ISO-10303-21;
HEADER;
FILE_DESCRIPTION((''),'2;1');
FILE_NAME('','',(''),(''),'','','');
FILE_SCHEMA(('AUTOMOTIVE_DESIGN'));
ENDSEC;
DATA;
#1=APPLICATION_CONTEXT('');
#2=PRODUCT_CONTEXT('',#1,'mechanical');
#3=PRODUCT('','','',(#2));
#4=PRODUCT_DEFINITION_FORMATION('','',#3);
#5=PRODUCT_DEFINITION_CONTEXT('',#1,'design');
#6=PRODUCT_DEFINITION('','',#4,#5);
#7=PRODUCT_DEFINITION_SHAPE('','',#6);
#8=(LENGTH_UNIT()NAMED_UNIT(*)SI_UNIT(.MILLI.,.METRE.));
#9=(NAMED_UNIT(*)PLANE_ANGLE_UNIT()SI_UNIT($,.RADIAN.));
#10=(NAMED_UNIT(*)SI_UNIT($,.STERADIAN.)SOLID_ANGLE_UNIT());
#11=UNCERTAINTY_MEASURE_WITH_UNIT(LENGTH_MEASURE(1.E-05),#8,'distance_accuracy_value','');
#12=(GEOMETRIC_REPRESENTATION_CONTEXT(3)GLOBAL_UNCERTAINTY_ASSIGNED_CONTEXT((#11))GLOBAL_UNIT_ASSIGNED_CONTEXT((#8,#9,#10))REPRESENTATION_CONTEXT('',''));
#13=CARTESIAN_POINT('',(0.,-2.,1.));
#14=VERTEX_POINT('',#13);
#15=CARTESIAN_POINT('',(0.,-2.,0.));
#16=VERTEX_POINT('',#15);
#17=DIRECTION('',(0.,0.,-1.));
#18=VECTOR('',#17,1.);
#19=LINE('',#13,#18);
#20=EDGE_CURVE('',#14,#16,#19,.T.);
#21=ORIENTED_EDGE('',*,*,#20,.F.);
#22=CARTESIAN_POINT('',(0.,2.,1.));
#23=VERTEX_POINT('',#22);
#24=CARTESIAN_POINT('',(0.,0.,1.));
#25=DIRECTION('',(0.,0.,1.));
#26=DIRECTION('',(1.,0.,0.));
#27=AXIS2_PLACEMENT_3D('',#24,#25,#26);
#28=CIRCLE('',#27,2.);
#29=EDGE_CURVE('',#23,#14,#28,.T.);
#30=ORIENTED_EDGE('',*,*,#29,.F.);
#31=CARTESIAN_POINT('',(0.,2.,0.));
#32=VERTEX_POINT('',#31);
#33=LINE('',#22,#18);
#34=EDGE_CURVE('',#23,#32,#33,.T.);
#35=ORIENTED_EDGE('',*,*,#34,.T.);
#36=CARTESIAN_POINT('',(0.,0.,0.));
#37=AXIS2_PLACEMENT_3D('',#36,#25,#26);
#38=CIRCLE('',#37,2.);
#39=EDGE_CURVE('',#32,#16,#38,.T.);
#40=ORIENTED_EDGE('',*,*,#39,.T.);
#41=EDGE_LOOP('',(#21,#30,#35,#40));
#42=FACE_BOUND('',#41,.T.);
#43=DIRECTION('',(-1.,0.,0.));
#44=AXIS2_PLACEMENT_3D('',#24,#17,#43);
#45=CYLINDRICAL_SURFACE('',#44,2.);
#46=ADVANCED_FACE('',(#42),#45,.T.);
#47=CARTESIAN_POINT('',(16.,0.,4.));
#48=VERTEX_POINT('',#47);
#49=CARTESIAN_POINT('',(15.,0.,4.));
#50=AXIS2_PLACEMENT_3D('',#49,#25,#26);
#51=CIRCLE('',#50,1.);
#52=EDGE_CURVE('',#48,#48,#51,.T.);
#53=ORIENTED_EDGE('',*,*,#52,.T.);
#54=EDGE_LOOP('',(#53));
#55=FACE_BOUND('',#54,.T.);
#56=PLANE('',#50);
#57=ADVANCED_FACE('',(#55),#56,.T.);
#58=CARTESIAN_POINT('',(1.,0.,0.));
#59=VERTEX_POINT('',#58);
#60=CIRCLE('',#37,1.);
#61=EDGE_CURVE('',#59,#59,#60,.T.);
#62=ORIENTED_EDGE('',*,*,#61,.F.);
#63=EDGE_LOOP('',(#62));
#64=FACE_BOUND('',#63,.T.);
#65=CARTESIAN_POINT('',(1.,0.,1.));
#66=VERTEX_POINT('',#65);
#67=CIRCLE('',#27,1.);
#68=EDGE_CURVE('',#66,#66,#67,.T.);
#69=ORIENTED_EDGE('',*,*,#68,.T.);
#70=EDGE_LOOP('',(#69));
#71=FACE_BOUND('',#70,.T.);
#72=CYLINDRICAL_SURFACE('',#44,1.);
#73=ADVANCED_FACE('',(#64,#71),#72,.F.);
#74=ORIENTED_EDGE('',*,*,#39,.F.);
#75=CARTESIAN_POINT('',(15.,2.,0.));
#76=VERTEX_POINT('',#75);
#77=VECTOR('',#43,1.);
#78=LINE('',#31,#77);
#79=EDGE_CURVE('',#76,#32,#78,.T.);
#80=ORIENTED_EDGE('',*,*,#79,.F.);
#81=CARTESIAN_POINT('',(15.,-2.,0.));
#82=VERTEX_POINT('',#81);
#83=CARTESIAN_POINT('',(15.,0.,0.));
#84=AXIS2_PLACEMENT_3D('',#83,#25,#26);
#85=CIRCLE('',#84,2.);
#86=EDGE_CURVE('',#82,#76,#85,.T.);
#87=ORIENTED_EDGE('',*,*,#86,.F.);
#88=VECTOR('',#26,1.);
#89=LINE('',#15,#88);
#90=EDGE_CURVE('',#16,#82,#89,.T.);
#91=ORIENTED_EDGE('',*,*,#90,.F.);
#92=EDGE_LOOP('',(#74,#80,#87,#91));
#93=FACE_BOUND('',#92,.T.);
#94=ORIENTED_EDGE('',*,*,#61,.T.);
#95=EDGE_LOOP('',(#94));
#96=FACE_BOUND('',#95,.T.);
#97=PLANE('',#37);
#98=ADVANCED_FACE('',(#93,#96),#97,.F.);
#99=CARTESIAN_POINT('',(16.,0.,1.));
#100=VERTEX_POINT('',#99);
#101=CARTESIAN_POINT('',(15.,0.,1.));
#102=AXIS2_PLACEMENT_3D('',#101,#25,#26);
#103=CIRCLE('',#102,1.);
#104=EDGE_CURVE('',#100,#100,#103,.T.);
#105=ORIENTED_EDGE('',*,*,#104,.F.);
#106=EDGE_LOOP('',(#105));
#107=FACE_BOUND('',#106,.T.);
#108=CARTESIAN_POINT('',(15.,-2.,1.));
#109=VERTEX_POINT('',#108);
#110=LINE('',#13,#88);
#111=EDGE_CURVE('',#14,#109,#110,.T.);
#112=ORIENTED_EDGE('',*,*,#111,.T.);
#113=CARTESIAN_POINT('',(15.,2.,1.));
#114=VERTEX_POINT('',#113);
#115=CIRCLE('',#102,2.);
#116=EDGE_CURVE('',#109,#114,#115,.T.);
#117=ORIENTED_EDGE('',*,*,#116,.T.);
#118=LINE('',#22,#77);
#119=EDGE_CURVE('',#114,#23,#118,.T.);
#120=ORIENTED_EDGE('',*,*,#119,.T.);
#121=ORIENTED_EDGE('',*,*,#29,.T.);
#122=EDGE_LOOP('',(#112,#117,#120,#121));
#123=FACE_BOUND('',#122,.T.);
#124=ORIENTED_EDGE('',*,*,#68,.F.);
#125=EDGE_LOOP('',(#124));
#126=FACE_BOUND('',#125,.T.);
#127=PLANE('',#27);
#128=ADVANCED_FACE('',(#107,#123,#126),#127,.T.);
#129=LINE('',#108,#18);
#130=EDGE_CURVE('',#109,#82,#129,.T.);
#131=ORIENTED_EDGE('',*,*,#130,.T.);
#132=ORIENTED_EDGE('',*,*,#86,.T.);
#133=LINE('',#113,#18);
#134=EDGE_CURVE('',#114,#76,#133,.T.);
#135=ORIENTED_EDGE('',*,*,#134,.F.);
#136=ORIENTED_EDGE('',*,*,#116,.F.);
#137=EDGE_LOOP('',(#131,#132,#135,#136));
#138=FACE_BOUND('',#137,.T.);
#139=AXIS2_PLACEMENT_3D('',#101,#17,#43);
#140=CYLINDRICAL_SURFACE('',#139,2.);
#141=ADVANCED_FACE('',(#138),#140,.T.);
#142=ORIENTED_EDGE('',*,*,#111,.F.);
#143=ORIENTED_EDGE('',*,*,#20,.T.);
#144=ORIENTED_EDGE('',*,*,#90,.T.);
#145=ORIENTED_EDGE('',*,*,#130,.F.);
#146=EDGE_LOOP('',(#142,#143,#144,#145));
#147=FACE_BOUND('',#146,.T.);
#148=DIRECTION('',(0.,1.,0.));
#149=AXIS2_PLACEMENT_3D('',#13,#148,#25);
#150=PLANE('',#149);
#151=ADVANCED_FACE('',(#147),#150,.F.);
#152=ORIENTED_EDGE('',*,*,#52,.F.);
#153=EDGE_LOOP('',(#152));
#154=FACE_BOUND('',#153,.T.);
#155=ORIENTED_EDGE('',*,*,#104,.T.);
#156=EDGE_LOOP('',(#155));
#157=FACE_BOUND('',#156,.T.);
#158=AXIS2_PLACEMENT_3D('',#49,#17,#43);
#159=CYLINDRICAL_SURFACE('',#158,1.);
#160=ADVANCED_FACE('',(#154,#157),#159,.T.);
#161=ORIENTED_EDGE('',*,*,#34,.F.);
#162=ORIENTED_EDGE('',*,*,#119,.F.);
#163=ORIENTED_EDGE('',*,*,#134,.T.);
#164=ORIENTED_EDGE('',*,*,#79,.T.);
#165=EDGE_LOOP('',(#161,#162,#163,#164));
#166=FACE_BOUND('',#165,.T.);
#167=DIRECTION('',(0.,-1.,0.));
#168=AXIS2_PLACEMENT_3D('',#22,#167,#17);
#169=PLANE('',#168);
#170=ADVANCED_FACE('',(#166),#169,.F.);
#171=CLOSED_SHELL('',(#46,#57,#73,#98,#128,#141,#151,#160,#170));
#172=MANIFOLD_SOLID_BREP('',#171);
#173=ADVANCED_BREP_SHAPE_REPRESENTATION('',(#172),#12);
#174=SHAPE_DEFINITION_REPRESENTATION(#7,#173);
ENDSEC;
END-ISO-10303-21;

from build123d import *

# Parameters (mm, degrees)
SKETCH_1_R      = 1
EXTRUDE_1_DEPTH = 1
SKETCH_2_R      = 1
EXTRUDE_2_DEPTH = 3


with BuildPart() as part:
    # 草图1 → 凸台-拉伸1 (new body)
    with BuildSketch(Plane.XY):
        with BuildLine():
            Line((0, 2), (15, 2))
            ThreePointArc((15, 2), (17, 0), (15, -2))
            Line((15, -2), (0, -2))
            ThreePointArc((0, -2), (-2, 0), (0, 2))
        make_face()
        Circle(SKETCH_1_R, mode=Mode.SUBTRACT)
    extrude(amount=EXTRUDE_1_DEPTH)

    # 草图2 → 凸台-拉伸2 (add)
    with BuildSketch(Plane.XY.offset(1)):
        with Locations((15, 0)):
            Circle(SKETCH_2_R)
    extrude(amount=EXTRUDE_2_DEPTH)


solid = part.part
